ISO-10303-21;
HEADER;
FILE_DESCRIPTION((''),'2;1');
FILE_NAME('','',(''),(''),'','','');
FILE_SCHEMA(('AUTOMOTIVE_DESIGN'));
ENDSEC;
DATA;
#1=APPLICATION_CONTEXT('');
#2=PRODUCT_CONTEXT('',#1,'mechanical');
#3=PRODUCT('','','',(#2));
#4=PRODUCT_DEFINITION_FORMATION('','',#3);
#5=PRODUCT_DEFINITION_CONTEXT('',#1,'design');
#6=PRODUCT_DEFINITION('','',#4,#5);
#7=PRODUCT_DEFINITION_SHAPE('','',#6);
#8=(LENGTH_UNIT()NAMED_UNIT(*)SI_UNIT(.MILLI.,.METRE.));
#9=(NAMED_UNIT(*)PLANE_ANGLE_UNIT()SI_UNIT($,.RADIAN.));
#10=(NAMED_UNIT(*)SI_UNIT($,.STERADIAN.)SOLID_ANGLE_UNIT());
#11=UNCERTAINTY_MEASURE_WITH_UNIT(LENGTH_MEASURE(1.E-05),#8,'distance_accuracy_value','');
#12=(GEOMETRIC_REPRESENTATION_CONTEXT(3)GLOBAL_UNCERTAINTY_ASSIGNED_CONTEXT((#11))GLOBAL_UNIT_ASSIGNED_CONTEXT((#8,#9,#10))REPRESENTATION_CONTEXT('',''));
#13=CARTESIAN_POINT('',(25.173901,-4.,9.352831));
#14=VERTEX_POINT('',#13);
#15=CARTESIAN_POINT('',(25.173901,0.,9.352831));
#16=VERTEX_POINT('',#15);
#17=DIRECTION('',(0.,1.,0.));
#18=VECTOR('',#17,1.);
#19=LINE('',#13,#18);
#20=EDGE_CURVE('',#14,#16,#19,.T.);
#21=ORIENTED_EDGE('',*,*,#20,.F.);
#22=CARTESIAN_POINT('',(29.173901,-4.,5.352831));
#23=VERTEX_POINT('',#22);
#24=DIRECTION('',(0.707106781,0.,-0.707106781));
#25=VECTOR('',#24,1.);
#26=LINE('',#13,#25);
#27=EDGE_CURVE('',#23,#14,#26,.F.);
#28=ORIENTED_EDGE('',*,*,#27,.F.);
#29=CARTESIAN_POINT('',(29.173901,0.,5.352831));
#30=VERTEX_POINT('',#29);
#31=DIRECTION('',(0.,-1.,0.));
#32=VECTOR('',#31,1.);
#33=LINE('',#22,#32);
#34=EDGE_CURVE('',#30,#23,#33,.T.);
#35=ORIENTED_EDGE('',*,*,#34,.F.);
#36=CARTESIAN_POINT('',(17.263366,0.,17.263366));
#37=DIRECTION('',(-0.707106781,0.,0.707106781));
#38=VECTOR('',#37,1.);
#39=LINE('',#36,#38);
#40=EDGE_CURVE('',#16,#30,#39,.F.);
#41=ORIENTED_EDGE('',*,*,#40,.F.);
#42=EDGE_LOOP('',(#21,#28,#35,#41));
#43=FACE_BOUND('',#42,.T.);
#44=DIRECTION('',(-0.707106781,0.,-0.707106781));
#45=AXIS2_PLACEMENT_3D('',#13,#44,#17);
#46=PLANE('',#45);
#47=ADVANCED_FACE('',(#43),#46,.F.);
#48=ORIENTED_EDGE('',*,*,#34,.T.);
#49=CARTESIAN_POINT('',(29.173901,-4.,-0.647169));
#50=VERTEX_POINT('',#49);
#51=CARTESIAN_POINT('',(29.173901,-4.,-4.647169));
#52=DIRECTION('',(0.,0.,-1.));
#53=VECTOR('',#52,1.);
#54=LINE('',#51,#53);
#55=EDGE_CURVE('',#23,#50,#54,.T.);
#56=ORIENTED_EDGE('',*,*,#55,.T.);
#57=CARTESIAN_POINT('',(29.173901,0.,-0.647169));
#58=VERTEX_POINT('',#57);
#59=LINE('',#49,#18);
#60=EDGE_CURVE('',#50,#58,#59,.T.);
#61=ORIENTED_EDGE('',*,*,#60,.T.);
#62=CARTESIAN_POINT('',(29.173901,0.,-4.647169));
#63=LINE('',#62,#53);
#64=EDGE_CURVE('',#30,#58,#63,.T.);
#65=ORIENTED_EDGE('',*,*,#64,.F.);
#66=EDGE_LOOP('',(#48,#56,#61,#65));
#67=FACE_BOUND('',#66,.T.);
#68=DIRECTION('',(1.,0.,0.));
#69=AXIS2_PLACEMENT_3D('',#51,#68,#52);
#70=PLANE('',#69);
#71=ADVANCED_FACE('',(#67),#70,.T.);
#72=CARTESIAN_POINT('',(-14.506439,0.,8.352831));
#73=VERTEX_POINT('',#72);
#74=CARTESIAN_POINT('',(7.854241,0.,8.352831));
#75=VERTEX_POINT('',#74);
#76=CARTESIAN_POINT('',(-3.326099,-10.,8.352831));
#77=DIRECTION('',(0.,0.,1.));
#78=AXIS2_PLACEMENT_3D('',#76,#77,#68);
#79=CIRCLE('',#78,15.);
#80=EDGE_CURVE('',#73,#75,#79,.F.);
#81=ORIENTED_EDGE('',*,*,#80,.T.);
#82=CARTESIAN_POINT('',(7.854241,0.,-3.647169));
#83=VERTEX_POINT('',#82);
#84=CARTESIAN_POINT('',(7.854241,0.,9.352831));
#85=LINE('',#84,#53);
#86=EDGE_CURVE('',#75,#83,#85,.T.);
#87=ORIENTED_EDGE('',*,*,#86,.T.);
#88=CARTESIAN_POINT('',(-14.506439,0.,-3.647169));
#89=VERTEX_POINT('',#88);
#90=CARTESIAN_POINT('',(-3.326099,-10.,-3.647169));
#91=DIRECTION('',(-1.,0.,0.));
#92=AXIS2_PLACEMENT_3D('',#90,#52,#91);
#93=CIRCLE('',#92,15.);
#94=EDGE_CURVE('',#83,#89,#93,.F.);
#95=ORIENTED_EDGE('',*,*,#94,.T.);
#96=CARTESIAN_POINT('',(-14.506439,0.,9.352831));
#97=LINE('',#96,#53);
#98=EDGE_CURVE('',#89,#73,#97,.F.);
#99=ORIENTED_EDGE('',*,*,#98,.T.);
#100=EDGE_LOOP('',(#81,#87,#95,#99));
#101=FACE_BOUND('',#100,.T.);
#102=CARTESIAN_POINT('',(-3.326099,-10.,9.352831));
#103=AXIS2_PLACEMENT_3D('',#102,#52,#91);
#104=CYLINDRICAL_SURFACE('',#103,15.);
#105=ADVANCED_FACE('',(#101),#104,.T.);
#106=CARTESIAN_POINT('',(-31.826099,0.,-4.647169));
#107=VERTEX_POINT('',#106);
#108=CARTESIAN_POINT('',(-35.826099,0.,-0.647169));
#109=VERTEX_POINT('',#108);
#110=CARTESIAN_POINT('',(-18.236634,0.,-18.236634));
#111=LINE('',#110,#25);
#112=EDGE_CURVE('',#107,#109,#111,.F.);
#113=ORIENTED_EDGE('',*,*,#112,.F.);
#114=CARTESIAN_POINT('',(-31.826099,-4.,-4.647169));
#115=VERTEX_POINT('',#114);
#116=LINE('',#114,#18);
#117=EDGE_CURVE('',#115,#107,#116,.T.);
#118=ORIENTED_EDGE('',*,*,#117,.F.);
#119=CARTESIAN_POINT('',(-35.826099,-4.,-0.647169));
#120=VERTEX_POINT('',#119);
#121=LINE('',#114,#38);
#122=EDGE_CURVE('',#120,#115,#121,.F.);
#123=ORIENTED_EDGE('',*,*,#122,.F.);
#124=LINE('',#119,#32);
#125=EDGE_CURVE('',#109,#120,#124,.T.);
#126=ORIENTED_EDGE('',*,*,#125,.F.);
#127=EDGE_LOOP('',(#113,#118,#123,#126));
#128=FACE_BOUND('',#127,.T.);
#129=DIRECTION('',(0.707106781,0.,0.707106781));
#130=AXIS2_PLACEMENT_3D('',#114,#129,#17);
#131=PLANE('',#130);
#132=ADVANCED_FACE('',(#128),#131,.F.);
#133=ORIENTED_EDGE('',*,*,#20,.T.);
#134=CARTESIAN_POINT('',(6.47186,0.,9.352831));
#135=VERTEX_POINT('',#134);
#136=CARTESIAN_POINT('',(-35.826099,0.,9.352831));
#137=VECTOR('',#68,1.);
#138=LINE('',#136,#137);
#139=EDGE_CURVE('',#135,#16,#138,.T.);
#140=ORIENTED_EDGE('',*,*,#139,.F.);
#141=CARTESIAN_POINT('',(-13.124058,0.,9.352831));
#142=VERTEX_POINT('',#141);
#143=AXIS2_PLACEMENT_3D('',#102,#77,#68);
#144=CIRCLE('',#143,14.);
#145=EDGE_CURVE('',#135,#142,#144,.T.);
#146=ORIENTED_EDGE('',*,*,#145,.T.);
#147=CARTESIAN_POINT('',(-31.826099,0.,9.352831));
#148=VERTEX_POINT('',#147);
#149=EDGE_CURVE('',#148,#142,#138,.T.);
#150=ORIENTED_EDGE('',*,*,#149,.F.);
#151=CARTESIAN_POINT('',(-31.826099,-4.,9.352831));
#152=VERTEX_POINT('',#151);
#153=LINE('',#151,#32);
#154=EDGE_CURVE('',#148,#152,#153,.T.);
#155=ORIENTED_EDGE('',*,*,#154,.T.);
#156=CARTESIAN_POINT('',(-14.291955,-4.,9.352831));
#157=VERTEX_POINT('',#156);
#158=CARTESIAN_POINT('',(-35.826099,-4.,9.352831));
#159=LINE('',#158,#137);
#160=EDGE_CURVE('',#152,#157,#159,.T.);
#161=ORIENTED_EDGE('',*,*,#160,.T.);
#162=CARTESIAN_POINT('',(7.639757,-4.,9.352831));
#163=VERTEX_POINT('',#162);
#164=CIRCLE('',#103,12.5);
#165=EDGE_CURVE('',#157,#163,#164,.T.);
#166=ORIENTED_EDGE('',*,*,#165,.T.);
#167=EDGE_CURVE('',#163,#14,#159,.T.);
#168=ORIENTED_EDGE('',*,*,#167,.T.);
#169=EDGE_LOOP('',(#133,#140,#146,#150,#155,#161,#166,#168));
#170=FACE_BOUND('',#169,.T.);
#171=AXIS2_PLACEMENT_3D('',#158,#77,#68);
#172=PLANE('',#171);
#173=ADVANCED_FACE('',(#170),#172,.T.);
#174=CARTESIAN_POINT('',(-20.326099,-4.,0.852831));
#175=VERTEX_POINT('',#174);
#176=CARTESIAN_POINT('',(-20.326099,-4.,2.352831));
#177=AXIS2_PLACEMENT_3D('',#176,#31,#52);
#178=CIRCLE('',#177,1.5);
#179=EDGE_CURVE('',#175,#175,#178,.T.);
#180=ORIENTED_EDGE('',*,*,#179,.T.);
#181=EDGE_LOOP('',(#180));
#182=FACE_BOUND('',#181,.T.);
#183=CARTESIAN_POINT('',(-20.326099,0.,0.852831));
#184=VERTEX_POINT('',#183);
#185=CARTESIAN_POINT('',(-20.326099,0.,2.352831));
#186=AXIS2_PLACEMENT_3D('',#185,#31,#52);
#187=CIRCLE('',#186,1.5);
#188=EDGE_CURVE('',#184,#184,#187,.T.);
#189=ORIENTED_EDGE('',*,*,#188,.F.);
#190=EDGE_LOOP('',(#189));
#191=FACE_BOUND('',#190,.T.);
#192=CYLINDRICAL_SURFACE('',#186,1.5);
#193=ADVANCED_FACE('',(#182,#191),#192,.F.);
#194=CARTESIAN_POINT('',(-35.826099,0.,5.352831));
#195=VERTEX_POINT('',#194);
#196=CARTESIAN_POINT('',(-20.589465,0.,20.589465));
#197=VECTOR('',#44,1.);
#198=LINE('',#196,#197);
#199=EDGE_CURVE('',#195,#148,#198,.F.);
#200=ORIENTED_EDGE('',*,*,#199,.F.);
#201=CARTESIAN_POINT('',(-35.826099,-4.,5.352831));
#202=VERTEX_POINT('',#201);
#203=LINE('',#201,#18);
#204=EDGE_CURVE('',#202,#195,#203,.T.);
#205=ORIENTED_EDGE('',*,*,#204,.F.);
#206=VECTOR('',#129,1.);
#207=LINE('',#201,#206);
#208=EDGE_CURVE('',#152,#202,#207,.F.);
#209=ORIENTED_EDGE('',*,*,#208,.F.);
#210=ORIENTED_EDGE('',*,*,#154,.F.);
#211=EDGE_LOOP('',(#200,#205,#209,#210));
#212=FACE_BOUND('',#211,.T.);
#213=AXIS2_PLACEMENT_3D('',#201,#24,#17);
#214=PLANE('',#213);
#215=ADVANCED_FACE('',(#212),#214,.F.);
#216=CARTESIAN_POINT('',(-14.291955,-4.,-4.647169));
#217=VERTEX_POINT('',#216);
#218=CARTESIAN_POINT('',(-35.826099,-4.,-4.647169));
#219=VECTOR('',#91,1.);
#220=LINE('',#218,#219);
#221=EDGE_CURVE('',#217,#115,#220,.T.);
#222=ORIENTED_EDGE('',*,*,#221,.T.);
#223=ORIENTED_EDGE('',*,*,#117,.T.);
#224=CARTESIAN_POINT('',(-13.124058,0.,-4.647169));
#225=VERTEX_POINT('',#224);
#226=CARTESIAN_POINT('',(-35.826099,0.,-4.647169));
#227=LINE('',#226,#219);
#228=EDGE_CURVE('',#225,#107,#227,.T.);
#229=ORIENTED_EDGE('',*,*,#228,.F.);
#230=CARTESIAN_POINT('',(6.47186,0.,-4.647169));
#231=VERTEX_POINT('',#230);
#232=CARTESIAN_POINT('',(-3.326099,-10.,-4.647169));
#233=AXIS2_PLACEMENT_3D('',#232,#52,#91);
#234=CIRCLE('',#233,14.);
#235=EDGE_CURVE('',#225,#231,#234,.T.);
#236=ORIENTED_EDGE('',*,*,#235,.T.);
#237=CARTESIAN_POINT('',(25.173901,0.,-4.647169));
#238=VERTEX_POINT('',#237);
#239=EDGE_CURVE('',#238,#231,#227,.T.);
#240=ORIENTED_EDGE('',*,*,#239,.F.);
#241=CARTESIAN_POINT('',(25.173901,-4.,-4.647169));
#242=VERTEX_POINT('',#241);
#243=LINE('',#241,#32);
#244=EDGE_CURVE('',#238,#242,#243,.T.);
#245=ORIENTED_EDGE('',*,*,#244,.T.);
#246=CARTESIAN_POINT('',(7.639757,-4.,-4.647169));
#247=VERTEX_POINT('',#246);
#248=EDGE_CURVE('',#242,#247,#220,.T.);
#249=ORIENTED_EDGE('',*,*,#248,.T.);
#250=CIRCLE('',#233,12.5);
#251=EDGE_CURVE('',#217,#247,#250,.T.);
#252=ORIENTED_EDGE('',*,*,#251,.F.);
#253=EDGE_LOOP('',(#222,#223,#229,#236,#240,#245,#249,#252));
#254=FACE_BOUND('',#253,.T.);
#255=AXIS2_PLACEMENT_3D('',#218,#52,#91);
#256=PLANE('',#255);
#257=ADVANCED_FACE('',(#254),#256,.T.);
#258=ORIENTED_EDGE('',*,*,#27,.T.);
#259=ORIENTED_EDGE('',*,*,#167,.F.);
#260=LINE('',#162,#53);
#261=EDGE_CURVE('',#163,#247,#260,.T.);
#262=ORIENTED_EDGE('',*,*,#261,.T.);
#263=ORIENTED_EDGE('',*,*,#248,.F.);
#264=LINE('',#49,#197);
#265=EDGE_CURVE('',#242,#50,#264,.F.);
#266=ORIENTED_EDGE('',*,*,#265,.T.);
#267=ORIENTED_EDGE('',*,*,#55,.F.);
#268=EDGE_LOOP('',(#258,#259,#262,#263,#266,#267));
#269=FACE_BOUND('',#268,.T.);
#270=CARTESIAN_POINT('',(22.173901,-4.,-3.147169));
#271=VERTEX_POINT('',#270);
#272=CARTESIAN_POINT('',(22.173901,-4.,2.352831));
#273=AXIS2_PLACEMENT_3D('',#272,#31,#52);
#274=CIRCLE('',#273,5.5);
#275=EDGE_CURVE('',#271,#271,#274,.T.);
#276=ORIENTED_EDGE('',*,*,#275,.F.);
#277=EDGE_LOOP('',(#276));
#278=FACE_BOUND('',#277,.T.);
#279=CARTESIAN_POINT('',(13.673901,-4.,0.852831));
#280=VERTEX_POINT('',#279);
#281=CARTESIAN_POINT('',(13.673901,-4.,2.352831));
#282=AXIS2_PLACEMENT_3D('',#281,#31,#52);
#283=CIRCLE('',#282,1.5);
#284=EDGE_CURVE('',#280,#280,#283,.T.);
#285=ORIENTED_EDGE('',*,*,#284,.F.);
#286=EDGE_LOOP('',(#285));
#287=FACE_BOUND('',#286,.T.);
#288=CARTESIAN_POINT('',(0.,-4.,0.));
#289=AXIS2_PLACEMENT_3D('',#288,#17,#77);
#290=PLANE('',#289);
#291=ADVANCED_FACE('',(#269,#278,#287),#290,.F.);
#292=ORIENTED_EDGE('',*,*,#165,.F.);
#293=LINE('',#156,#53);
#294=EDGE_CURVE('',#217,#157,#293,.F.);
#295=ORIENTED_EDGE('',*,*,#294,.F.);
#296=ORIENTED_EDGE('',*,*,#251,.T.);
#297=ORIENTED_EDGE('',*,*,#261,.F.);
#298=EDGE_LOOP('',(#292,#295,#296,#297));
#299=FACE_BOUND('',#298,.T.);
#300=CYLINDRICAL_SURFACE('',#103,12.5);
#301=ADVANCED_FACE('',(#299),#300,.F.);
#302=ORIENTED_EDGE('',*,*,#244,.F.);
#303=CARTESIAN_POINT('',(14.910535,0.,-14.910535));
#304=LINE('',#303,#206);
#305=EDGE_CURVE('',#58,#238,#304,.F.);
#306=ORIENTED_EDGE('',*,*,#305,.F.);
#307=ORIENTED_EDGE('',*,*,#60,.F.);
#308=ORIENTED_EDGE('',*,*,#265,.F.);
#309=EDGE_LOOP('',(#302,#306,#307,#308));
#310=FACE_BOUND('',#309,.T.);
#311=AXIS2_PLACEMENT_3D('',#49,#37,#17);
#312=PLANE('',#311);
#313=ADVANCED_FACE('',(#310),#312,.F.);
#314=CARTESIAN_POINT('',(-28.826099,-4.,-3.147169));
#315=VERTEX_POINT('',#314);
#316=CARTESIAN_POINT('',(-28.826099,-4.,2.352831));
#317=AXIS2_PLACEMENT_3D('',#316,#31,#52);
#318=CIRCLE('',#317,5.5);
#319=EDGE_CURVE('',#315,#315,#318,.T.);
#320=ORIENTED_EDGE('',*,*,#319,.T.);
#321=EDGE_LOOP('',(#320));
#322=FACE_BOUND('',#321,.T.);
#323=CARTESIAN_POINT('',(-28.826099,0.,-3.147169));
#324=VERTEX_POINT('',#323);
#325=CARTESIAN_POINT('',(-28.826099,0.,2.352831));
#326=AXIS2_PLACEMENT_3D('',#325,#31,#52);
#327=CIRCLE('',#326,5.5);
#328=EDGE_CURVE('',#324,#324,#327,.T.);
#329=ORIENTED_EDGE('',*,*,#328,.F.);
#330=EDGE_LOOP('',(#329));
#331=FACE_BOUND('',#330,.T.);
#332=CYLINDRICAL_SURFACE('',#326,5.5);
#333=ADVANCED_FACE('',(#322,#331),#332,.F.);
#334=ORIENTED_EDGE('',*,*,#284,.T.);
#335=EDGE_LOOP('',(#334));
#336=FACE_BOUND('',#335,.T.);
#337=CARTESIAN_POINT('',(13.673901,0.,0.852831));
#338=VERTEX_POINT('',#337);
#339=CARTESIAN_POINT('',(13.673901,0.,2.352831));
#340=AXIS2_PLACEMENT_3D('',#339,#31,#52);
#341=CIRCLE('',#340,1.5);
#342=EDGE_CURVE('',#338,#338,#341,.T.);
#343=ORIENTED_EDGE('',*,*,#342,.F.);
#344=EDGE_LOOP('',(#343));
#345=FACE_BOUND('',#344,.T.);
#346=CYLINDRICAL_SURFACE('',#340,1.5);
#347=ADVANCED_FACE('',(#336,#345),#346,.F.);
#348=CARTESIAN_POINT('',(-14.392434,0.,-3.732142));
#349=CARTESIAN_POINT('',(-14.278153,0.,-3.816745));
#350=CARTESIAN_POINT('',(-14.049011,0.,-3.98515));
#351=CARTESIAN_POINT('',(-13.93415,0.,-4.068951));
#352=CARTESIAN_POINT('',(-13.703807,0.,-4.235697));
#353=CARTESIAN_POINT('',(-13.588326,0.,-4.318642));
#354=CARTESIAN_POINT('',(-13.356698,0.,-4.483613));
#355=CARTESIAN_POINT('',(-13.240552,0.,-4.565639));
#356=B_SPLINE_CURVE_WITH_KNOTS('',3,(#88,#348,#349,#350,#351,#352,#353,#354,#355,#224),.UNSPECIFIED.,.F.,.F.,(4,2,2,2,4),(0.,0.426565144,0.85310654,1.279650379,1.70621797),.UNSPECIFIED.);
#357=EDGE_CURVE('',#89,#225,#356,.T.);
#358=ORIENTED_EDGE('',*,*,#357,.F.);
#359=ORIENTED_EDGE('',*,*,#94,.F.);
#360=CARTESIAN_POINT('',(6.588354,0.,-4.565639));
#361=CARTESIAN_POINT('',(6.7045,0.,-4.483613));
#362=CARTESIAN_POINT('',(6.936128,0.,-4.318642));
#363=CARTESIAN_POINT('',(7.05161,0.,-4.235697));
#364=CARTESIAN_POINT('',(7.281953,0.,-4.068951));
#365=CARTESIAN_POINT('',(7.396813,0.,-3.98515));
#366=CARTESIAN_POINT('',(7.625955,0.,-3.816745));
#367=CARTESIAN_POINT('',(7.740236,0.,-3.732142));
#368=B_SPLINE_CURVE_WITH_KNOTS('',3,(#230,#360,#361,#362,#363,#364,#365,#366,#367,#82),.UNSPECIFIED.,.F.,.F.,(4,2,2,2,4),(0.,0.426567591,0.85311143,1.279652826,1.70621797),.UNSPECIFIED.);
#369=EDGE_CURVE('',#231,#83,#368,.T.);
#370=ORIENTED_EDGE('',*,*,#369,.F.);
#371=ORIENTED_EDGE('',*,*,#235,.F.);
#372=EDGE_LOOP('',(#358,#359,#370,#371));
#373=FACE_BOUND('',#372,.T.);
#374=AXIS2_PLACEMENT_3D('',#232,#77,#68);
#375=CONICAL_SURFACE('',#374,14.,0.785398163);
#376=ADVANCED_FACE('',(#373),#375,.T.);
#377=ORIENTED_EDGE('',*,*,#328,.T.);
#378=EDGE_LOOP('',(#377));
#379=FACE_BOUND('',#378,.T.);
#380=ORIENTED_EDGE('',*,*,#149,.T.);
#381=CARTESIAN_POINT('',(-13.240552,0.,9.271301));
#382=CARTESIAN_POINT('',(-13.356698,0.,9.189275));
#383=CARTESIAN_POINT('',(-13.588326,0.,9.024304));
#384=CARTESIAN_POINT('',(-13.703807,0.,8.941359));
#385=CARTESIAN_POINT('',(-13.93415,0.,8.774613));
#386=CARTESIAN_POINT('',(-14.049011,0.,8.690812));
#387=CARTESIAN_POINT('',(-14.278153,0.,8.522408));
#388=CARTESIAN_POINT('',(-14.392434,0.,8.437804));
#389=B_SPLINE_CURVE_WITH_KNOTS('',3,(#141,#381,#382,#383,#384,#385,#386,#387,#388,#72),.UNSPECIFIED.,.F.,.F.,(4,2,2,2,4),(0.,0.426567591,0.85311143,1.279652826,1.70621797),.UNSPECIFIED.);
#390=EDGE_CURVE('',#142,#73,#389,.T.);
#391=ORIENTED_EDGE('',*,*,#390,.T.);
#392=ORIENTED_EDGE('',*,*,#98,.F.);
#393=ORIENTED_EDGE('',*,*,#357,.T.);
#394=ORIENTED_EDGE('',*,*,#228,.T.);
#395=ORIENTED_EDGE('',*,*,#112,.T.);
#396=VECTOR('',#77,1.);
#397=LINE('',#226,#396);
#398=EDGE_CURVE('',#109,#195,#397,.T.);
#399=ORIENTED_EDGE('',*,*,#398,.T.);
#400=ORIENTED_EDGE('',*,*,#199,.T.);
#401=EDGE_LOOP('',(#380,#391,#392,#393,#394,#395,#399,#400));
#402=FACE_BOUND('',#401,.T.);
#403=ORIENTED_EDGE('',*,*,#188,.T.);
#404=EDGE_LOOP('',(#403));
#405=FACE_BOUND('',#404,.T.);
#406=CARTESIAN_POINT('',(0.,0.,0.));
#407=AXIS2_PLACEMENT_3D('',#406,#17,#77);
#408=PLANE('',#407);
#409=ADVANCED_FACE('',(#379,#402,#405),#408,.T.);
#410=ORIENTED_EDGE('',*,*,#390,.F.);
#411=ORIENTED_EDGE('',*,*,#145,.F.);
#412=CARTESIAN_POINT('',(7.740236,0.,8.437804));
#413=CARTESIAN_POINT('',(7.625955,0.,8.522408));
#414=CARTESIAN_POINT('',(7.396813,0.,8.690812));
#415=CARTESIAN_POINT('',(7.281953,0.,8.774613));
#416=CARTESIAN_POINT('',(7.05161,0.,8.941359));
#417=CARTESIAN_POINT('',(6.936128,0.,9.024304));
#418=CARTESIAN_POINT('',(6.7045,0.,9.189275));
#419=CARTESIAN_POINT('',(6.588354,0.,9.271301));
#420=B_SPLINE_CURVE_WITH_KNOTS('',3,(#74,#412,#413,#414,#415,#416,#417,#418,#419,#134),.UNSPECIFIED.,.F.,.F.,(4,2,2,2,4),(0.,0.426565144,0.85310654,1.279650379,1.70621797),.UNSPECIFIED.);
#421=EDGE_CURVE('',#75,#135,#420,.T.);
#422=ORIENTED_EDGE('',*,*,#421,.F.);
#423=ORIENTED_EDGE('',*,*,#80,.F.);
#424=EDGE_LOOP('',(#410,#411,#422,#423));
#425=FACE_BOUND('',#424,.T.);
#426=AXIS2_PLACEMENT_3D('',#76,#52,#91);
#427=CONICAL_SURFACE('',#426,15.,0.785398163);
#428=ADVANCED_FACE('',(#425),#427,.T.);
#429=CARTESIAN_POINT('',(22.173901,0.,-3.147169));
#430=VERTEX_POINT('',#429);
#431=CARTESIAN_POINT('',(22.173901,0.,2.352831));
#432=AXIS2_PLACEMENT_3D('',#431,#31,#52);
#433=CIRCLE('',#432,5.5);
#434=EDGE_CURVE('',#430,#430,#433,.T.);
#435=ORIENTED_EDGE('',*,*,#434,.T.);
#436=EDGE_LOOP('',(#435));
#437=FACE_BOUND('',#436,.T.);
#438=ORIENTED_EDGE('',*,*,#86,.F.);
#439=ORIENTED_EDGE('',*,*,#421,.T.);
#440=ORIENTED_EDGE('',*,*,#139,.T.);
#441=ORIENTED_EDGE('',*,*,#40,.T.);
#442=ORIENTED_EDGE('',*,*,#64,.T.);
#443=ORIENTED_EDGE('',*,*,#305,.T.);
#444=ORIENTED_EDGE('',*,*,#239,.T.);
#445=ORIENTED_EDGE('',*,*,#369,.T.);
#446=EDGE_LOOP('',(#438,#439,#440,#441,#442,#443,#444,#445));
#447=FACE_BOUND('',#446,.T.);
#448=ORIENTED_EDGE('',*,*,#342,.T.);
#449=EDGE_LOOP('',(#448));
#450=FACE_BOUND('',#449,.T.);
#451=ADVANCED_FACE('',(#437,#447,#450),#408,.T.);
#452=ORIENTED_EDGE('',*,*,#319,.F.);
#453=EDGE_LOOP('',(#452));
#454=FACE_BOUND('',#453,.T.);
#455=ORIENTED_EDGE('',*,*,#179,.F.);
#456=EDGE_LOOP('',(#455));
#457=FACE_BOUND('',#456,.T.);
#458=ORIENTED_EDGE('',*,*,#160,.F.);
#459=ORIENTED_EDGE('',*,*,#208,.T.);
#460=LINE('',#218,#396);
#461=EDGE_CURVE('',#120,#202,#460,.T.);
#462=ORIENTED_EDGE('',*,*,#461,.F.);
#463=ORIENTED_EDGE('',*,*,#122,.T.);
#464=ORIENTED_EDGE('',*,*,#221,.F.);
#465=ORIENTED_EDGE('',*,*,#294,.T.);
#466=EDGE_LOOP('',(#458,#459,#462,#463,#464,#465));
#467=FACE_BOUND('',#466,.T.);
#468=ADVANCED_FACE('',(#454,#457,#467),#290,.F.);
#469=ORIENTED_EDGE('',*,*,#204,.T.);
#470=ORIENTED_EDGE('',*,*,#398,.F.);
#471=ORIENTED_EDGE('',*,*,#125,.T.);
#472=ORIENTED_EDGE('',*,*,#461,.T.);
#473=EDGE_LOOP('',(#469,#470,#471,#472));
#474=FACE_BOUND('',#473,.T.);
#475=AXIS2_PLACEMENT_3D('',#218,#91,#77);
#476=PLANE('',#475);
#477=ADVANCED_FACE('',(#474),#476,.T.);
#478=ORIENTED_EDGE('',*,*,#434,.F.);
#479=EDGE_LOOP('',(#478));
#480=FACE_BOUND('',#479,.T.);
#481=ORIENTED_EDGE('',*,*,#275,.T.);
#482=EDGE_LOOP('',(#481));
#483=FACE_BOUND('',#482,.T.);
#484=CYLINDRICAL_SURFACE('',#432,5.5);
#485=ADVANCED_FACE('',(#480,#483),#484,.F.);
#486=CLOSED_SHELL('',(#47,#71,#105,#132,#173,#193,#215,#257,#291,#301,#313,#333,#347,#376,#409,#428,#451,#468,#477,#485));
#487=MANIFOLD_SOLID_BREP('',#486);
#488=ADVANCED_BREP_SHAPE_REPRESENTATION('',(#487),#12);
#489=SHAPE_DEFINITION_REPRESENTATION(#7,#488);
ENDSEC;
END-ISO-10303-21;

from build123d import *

# Parameters (mm, degrees)
ESQUISSE2_W             = 65
ESQUISSE2_H             = 14
BOSS_EXTRU_1_DEPTH      = 4
ESQUISSE3_R             = 5.5
ESQUISSE3_R_2           = 1.5
ENL_V_MAT_EXTRU_1_DEPTH = 4
BOSS_EXTRU_3_DEPTH      = 14
ESQUISSE7_R             = 12.5
ENL_V_MAT_EXTRU_4_DEPTH = 39.788005272
CHANFREIN1_SIZE         = 4
CHANFREIN2_SIZE         = 1


with BuildPart() as part:
    # Esquisse2 → Boss.-Extru.1 (new body)
    with BuildSketch(Plane(origin=(0, 0, 0), x_dir=(1, 0, 0), z_dir=(0, 1, 0))):
        with Locations((-3.326098768, -2.352831094)):
            Rectangle(ESQUISSE2_W, ESQUISSE2_H)
    extrude(amount=-BOSS_EXTRU_1_DEPTH)

    # Esquisse3 → Enlèv. mat.-Extru.1 (cut)
    with BuildSketch(Plane.XZ.offset(4)):
        with Locations(Location((-28.826098768, 2.352831094, 0), (0, 0, 270))):
            Circle(ESQUISSE3_R)
        with Locations(Location((22.173901232, 2.352831094, 0), (0, 0, 270))):
            Circle(ESQUISSE3_R)
        with Locations(Location((-20.326098768, 2.352831094, 0), (0, 0, 270))):
            Circle(ESQUISSE3_R_2)
        with Locations(Location((13.673901232, 2.352831094, 0), (0, 0, 270))):
            Circle(ESQUISSE3_R_2)
    extrude(amount=-ENL_V_MAT_EXTRU_1_DEPTH, mode=Mode.SUBTRACT)

    # Esquisse5 → Boss.-Extru.3 (add)
    with BuildSketch(Plane(origin=(0, 0, -4.647168906), x_dir=(-1, 0, 0), z_dir=(0, 0, -1))):
        with BuildLine():
            Line((-10.421628317, -4), (17.073825853, -4))
            ThreePointArc((17.073825853, -4), (3.326098768, 5), (-10.421628317, -4))
        make_face()
    extrude(amount=-BOSS_EXTRU_3_DEPTH)

    # Esquisse7 → Enlèv. mat.-Extru.4 (cut, through all)
    with BuildSketch(Plane(origin=(0, 0, -4.647168906), x_dir=(-1, 0, 0), z_dir=(0, 0, -1))):
        with Locations((3.326098768, -10)):
            Circle(ESQUISSE7_R)
    extrude(amount=-ENL_V_MAT_EXTRU_4_DEPTH, mode=Mode.SUBTRACT)

    # Chanfrein1
    chanfrein1_edges = [part.edges().sort_by_distance(p)[0] for p in [
        (-35.826098768, -2, -4.647168906),
        (29.173901232, -2, -4.647168906),
        (29.173901232, -2, 9.352831094),
        (-35.826098768, -2, 9.352831094),
    ]]
    chamfer(chanfrein1_edges, length=CHANFREIN1_SIZE)

    # Chanfrein2
    chanfrein2_edges = [part.edges().sort_by_distance(p)[0] for p in [
        (-3.326098768, 5, 9.352831094),
        (-3.326098768, 5, -4.647168906),
    ]]
    chamfer(chanfrein2_edges, length=CHANFREIN2_SIZE)


solid = part.part
